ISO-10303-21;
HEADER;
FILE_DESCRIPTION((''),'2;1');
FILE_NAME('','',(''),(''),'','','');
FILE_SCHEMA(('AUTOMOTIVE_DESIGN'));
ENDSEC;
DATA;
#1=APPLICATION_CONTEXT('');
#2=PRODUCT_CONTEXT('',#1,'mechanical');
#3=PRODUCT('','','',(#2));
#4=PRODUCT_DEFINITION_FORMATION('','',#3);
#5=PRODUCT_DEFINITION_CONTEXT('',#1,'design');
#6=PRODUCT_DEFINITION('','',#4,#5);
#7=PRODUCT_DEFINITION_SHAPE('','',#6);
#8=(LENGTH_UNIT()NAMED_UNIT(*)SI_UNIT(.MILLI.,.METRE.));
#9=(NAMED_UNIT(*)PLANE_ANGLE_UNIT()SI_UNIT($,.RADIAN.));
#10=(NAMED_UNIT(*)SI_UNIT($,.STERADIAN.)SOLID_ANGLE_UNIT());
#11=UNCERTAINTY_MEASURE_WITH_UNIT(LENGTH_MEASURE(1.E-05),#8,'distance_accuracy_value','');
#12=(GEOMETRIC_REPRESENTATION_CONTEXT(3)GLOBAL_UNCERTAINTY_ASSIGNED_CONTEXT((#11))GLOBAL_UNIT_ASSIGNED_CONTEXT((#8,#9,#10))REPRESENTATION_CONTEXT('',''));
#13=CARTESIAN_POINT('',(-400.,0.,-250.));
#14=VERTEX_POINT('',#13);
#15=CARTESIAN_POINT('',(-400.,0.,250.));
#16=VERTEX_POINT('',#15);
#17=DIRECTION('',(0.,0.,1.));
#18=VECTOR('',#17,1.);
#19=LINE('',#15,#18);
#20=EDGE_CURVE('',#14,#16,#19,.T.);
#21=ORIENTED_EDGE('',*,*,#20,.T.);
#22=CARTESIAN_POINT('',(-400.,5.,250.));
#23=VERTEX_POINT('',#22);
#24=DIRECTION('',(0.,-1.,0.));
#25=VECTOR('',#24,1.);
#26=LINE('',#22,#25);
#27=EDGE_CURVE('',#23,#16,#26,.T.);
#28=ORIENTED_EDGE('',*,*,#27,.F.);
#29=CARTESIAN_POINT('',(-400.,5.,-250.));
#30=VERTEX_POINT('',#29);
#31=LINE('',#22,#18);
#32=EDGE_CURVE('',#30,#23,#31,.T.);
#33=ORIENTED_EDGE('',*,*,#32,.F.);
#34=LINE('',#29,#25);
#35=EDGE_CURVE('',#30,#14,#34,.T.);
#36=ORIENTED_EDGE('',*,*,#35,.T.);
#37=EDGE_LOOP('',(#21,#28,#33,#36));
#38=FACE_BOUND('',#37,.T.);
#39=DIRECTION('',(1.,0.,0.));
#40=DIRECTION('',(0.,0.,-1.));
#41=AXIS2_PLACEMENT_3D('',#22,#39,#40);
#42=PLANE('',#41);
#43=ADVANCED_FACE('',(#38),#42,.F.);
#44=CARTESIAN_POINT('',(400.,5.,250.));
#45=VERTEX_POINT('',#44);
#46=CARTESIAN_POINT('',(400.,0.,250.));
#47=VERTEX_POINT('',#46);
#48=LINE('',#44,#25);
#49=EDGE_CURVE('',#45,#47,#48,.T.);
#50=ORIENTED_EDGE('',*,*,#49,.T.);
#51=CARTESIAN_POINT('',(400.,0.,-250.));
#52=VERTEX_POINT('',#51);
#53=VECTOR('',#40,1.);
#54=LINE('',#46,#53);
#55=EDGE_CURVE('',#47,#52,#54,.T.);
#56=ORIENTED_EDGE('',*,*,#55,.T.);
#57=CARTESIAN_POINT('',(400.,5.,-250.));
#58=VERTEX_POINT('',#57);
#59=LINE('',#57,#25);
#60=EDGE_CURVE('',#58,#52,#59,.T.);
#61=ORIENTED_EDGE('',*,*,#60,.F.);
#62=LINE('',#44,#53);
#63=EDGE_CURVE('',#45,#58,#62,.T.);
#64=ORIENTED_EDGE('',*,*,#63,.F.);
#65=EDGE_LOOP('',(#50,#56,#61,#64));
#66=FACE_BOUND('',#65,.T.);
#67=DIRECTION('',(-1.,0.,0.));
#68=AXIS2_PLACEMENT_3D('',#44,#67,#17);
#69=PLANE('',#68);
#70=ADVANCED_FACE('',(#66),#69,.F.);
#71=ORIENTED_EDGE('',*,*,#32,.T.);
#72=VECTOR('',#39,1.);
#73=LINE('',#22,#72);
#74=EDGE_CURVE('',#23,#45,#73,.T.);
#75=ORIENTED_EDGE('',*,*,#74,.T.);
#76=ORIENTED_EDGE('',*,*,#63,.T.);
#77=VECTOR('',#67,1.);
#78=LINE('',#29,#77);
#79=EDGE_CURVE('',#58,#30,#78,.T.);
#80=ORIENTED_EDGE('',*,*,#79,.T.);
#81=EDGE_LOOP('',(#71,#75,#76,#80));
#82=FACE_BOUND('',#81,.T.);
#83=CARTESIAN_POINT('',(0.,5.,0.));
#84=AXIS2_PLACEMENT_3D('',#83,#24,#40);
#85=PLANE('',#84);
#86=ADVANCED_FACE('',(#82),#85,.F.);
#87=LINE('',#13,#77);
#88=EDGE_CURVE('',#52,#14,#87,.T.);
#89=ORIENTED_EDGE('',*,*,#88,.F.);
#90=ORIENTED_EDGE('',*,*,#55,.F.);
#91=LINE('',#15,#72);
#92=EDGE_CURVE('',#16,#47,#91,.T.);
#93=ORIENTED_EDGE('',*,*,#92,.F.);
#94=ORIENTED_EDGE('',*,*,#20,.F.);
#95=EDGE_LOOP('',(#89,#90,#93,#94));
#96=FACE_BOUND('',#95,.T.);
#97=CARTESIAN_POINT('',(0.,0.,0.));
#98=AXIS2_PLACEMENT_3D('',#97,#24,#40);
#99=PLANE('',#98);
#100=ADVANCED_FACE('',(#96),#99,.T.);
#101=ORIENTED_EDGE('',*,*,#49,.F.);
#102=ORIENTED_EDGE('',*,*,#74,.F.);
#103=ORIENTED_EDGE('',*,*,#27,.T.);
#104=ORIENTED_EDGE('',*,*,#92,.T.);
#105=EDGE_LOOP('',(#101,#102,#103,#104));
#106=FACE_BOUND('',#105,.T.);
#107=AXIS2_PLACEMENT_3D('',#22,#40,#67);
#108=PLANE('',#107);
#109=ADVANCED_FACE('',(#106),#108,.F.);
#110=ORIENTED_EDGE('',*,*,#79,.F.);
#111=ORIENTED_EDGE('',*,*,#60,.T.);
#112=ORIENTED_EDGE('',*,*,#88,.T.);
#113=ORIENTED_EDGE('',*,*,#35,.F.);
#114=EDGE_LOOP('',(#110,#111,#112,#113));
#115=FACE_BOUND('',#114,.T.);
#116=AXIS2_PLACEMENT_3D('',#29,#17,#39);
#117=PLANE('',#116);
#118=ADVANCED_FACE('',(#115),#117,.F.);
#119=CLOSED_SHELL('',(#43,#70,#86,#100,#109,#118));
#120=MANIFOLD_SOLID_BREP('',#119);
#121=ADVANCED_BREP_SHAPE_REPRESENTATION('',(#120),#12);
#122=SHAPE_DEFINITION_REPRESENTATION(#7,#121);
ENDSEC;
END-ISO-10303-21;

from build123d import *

# Parameters (mm, degrees)
ESQUISSE1_W        = 800
ESQUISSE1_H        = 500
BOSS_EXTRU_1_DEPTH = 5


with BuildPart() as part:
    # Esquisse1 → Boss.-Extru.1 (new body)
    with BuildSketch(Plane(origin=(0, 0, 0), x_dir=(1, 0, 0), z_dir=(0, 1, 0))):
        Rectangle(ESQUISSE1_W, ESQUISSE1_H)
    extrude(amount=BOSS_EXTRU_1_DEPTH)


solid = part.part
